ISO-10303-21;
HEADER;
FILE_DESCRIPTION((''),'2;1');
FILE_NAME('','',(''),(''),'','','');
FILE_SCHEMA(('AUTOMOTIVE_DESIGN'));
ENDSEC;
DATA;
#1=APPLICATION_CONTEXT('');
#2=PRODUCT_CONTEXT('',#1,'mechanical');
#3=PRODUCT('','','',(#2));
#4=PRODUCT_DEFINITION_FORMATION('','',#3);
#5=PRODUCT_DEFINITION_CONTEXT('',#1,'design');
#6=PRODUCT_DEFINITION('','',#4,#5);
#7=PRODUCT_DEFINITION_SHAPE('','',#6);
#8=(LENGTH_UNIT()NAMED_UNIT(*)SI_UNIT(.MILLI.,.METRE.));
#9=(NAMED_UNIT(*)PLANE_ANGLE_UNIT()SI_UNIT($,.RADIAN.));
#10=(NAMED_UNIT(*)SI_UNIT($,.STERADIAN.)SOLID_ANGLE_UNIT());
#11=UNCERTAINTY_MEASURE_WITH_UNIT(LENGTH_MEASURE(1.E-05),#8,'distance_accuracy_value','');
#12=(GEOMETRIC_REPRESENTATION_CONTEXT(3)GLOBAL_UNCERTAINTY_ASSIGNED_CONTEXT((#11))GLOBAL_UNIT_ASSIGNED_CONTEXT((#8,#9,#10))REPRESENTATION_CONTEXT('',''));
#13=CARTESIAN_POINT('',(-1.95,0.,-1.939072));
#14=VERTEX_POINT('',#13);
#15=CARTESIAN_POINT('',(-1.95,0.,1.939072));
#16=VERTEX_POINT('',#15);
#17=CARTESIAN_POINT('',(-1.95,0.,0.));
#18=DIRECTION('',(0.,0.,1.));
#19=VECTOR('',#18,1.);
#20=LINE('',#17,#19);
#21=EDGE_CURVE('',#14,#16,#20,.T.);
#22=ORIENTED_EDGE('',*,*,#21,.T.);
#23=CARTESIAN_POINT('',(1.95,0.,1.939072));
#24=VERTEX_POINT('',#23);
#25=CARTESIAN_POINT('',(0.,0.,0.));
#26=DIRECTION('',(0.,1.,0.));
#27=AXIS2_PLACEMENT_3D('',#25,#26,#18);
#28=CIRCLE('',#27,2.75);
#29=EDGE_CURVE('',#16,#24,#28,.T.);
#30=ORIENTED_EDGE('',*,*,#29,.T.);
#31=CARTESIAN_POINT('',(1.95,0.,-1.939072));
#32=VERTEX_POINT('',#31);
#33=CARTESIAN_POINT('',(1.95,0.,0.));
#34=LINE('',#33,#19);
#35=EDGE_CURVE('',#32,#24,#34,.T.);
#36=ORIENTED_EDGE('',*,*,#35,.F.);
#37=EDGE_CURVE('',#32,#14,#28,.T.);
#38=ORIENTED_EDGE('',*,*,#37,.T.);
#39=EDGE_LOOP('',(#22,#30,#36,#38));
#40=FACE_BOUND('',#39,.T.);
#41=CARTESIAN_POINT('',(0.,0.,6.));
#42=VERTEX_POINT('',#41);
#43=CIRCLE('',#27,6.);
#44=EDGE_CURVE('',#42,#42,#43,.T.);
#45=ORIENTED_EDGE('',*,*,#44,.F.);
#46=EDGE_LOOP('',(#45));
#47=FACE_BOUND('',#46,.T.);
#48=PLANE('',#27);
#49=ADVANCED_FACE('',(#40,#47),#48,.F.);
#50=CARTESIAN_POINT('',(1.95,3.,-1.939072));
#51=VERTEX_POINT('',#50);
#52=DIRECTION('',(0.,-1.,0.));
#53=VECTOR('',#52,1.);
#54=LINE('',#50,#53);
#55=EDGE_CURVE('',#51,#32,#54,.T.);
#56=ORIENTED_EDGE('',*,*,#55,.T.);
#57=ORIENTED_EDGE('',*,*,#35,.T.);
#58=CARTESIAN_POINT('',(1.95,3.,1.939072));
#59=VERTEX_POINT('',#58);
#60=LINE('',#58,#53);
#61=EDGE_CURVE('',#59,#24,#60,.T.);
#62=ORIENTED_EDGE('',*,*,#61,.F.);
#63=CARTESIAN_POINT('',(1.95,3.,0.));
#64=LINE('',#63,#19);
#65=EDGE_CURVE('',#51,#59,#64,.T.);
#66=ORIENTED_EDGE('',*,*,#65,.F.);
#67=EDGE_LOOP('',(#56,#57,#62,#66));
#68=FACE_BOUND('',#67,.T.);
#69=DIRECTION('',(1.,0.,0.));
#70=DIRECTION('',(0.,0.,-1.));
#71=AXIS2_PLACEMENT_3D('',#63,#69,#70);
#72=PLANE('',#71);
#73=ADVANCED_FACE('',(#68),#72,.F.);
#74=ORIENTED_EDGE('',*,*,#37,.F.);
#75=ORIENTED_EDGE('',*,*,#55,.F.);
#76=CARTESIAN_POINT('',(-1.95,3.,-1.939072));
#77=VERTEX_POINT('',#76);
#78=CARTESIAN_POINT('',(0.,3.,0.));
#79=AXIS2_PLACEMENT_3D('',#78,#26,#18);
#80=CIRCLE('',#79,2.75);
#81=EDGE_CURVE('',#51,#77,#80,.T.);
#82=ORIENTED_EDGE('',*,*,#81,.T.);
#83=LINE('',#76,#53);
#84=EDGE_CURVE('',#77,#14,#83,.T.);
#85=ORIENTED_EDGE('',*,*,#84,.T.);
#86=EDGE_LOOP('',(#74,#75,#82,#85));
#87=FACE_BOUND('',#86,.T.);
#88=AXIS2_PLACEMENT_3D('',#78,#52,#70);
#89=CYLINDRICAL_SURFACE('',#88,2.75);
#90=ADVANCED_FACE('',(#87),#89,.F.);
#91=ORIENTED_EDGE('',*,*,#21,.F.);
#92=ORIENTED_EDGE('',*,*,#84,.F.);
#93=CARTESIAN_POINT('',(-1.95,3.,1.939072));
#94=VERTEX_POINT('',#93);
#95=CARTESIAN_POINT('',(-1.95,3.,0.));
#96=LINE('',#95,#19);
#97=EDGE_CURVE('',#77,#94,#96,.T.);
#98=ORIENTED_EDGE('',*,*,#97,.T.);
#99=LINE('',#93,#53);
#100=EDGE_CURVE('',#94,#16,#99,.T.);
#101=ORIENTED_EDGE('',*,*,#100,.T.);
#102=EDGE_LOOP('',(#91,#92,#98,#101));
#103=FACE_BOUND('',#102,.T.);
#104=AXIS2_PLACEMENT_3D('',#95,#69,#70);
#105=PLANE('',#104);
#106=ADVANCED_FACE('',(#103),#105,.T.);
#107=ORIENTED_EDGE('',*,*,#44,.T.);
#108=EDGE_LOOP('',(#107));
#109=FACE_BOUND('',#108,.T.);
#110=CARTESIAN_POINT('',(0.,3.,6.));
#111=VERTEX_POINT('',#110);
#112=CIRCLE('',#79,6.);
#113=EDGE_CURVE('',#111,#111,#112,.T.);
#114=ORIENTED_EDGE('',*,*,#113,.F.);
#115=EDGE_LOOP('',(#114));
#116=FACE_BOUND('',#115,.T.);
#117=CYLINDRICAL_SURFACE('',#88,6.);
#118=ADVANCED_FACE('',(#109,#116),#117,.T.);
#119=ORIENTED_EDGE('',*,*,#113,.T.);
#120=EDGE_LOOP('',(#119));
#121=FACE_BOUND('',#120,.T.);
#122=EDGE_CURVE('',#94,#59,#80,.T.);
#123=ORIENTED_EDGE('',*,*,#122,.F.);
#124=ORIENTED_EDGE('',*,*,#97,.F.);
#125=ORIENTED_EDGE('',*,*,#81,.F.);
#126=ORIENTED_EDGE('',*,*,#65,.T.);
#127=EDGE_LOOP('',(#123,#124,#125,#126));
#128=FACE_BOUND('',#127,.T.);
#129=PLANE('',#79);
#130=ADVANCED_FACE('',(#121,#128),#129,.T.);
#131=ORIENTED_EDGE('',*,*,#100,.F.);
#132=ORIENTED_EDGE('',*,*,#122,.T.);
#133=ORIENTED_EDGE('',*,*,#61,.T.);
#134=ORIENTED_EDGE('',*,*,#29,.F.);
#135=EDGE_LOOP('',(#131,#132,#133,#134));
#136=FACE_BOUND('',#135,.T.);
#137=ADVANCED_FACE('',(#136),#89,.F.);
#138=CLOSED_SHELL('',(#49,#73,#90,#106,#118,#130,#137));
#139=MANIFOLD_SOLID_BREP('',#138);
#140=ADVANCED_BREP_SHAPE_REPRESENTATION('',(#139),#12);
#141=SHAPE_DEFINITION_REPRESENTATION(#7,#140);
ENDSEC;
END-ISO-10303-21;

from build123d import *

# Parameters (mm, degrees)
BOSS_EXTRUDE1_DEPTH = 3


with BuildPart() as part:
    # Sketch1 → Boss-Extrude1 (new body)
    with BuildSketch(Plane(origin=(0, 0, 0), x_dir=(1, 0, 0), z_dir=(0, 1, 0))):
        with BuildLine():
            ThreePointArc((2.75, 0), (2.542144764, 1.048808848), (1.95, 1.939071943))
            Line((1.95, 1.939071943), (1.95, -1.939071943))
            ThreePointArc((1.95, -1.939071943), (2.542144764, -1.048808848), (2.75, 0))
        make_face()
        with BuildLine():
            ThreePointArc((1.95, 5.674284096), (0, 6), (-1.95, 5.674284096))
            Line((-1.95, 5.674284096), (-1.95, 1.939071943))
            ThreePointArc((-1.95, 1.939071943), (0, 2.75), (1.95, 1.939071943))
            Line((1.95, 1.939071943), (1.95, 5.674284096))
        make_face()
        with BuildLine():
            Line((-1.95, -1.939071943), (-1.95, -5.674284096))
            ThreePointArc((-1.95, -5.674284096), (0, -6), (1.95, -5.674284096))
            Line((1.95, -5.674284096), (1.95, -1.939071943))
            ThreePointArc((1.95, -1.939071943), (0, -2.75), (-1.95, -1.939071943))
        make_face()
        with BuildLine():
            Line((-1.95, 1.939071943), (-1.95, 5.674284096))
            ThreePointArc((-1.95, 5.674284096), (-6, 0), (-1.95, -5.674284096))
            Line((-1.95, -5.674284096), (-1.95, -1.939071943))
            ThreePointArc((-1.95, -1.939071943), (-2.75, 0), (-1.95, 1.939071943))
        make_face()
        with BuildLine():
            ThreePointArc((6, 0), (4.883646179, 3.485685012), (1.95, 5.674284096))
            Line((1.95, 5.674284096), (1.95, 1.939071943))
            ThreePointArc((1.95, 1.939071943), (2.542144764, 1.048808848), (2.75, 0))
            ThreePointArc((2.75, 0), (2.542144764, -1.048808848), (1.95, -1.939071943))
            Line((1.95, -1.939071943), (1.95, -5.674284096))
            ThreePointArc((1.95, -5.674284096), (4.883646179, -3.485685012), (6, 0))
        make_face()
        with BuildLine():
            Line((-1.95, -1.939071943), (-1.95, 1.939071943))
            ThreePointArc((-1.95, 1.939071943), (-2.75, 0), (-1.95, -1.939071943))
        make_face()
    extrude(amount=BOSS_EXTRUDE1_DEPTH)


solid = part.part
